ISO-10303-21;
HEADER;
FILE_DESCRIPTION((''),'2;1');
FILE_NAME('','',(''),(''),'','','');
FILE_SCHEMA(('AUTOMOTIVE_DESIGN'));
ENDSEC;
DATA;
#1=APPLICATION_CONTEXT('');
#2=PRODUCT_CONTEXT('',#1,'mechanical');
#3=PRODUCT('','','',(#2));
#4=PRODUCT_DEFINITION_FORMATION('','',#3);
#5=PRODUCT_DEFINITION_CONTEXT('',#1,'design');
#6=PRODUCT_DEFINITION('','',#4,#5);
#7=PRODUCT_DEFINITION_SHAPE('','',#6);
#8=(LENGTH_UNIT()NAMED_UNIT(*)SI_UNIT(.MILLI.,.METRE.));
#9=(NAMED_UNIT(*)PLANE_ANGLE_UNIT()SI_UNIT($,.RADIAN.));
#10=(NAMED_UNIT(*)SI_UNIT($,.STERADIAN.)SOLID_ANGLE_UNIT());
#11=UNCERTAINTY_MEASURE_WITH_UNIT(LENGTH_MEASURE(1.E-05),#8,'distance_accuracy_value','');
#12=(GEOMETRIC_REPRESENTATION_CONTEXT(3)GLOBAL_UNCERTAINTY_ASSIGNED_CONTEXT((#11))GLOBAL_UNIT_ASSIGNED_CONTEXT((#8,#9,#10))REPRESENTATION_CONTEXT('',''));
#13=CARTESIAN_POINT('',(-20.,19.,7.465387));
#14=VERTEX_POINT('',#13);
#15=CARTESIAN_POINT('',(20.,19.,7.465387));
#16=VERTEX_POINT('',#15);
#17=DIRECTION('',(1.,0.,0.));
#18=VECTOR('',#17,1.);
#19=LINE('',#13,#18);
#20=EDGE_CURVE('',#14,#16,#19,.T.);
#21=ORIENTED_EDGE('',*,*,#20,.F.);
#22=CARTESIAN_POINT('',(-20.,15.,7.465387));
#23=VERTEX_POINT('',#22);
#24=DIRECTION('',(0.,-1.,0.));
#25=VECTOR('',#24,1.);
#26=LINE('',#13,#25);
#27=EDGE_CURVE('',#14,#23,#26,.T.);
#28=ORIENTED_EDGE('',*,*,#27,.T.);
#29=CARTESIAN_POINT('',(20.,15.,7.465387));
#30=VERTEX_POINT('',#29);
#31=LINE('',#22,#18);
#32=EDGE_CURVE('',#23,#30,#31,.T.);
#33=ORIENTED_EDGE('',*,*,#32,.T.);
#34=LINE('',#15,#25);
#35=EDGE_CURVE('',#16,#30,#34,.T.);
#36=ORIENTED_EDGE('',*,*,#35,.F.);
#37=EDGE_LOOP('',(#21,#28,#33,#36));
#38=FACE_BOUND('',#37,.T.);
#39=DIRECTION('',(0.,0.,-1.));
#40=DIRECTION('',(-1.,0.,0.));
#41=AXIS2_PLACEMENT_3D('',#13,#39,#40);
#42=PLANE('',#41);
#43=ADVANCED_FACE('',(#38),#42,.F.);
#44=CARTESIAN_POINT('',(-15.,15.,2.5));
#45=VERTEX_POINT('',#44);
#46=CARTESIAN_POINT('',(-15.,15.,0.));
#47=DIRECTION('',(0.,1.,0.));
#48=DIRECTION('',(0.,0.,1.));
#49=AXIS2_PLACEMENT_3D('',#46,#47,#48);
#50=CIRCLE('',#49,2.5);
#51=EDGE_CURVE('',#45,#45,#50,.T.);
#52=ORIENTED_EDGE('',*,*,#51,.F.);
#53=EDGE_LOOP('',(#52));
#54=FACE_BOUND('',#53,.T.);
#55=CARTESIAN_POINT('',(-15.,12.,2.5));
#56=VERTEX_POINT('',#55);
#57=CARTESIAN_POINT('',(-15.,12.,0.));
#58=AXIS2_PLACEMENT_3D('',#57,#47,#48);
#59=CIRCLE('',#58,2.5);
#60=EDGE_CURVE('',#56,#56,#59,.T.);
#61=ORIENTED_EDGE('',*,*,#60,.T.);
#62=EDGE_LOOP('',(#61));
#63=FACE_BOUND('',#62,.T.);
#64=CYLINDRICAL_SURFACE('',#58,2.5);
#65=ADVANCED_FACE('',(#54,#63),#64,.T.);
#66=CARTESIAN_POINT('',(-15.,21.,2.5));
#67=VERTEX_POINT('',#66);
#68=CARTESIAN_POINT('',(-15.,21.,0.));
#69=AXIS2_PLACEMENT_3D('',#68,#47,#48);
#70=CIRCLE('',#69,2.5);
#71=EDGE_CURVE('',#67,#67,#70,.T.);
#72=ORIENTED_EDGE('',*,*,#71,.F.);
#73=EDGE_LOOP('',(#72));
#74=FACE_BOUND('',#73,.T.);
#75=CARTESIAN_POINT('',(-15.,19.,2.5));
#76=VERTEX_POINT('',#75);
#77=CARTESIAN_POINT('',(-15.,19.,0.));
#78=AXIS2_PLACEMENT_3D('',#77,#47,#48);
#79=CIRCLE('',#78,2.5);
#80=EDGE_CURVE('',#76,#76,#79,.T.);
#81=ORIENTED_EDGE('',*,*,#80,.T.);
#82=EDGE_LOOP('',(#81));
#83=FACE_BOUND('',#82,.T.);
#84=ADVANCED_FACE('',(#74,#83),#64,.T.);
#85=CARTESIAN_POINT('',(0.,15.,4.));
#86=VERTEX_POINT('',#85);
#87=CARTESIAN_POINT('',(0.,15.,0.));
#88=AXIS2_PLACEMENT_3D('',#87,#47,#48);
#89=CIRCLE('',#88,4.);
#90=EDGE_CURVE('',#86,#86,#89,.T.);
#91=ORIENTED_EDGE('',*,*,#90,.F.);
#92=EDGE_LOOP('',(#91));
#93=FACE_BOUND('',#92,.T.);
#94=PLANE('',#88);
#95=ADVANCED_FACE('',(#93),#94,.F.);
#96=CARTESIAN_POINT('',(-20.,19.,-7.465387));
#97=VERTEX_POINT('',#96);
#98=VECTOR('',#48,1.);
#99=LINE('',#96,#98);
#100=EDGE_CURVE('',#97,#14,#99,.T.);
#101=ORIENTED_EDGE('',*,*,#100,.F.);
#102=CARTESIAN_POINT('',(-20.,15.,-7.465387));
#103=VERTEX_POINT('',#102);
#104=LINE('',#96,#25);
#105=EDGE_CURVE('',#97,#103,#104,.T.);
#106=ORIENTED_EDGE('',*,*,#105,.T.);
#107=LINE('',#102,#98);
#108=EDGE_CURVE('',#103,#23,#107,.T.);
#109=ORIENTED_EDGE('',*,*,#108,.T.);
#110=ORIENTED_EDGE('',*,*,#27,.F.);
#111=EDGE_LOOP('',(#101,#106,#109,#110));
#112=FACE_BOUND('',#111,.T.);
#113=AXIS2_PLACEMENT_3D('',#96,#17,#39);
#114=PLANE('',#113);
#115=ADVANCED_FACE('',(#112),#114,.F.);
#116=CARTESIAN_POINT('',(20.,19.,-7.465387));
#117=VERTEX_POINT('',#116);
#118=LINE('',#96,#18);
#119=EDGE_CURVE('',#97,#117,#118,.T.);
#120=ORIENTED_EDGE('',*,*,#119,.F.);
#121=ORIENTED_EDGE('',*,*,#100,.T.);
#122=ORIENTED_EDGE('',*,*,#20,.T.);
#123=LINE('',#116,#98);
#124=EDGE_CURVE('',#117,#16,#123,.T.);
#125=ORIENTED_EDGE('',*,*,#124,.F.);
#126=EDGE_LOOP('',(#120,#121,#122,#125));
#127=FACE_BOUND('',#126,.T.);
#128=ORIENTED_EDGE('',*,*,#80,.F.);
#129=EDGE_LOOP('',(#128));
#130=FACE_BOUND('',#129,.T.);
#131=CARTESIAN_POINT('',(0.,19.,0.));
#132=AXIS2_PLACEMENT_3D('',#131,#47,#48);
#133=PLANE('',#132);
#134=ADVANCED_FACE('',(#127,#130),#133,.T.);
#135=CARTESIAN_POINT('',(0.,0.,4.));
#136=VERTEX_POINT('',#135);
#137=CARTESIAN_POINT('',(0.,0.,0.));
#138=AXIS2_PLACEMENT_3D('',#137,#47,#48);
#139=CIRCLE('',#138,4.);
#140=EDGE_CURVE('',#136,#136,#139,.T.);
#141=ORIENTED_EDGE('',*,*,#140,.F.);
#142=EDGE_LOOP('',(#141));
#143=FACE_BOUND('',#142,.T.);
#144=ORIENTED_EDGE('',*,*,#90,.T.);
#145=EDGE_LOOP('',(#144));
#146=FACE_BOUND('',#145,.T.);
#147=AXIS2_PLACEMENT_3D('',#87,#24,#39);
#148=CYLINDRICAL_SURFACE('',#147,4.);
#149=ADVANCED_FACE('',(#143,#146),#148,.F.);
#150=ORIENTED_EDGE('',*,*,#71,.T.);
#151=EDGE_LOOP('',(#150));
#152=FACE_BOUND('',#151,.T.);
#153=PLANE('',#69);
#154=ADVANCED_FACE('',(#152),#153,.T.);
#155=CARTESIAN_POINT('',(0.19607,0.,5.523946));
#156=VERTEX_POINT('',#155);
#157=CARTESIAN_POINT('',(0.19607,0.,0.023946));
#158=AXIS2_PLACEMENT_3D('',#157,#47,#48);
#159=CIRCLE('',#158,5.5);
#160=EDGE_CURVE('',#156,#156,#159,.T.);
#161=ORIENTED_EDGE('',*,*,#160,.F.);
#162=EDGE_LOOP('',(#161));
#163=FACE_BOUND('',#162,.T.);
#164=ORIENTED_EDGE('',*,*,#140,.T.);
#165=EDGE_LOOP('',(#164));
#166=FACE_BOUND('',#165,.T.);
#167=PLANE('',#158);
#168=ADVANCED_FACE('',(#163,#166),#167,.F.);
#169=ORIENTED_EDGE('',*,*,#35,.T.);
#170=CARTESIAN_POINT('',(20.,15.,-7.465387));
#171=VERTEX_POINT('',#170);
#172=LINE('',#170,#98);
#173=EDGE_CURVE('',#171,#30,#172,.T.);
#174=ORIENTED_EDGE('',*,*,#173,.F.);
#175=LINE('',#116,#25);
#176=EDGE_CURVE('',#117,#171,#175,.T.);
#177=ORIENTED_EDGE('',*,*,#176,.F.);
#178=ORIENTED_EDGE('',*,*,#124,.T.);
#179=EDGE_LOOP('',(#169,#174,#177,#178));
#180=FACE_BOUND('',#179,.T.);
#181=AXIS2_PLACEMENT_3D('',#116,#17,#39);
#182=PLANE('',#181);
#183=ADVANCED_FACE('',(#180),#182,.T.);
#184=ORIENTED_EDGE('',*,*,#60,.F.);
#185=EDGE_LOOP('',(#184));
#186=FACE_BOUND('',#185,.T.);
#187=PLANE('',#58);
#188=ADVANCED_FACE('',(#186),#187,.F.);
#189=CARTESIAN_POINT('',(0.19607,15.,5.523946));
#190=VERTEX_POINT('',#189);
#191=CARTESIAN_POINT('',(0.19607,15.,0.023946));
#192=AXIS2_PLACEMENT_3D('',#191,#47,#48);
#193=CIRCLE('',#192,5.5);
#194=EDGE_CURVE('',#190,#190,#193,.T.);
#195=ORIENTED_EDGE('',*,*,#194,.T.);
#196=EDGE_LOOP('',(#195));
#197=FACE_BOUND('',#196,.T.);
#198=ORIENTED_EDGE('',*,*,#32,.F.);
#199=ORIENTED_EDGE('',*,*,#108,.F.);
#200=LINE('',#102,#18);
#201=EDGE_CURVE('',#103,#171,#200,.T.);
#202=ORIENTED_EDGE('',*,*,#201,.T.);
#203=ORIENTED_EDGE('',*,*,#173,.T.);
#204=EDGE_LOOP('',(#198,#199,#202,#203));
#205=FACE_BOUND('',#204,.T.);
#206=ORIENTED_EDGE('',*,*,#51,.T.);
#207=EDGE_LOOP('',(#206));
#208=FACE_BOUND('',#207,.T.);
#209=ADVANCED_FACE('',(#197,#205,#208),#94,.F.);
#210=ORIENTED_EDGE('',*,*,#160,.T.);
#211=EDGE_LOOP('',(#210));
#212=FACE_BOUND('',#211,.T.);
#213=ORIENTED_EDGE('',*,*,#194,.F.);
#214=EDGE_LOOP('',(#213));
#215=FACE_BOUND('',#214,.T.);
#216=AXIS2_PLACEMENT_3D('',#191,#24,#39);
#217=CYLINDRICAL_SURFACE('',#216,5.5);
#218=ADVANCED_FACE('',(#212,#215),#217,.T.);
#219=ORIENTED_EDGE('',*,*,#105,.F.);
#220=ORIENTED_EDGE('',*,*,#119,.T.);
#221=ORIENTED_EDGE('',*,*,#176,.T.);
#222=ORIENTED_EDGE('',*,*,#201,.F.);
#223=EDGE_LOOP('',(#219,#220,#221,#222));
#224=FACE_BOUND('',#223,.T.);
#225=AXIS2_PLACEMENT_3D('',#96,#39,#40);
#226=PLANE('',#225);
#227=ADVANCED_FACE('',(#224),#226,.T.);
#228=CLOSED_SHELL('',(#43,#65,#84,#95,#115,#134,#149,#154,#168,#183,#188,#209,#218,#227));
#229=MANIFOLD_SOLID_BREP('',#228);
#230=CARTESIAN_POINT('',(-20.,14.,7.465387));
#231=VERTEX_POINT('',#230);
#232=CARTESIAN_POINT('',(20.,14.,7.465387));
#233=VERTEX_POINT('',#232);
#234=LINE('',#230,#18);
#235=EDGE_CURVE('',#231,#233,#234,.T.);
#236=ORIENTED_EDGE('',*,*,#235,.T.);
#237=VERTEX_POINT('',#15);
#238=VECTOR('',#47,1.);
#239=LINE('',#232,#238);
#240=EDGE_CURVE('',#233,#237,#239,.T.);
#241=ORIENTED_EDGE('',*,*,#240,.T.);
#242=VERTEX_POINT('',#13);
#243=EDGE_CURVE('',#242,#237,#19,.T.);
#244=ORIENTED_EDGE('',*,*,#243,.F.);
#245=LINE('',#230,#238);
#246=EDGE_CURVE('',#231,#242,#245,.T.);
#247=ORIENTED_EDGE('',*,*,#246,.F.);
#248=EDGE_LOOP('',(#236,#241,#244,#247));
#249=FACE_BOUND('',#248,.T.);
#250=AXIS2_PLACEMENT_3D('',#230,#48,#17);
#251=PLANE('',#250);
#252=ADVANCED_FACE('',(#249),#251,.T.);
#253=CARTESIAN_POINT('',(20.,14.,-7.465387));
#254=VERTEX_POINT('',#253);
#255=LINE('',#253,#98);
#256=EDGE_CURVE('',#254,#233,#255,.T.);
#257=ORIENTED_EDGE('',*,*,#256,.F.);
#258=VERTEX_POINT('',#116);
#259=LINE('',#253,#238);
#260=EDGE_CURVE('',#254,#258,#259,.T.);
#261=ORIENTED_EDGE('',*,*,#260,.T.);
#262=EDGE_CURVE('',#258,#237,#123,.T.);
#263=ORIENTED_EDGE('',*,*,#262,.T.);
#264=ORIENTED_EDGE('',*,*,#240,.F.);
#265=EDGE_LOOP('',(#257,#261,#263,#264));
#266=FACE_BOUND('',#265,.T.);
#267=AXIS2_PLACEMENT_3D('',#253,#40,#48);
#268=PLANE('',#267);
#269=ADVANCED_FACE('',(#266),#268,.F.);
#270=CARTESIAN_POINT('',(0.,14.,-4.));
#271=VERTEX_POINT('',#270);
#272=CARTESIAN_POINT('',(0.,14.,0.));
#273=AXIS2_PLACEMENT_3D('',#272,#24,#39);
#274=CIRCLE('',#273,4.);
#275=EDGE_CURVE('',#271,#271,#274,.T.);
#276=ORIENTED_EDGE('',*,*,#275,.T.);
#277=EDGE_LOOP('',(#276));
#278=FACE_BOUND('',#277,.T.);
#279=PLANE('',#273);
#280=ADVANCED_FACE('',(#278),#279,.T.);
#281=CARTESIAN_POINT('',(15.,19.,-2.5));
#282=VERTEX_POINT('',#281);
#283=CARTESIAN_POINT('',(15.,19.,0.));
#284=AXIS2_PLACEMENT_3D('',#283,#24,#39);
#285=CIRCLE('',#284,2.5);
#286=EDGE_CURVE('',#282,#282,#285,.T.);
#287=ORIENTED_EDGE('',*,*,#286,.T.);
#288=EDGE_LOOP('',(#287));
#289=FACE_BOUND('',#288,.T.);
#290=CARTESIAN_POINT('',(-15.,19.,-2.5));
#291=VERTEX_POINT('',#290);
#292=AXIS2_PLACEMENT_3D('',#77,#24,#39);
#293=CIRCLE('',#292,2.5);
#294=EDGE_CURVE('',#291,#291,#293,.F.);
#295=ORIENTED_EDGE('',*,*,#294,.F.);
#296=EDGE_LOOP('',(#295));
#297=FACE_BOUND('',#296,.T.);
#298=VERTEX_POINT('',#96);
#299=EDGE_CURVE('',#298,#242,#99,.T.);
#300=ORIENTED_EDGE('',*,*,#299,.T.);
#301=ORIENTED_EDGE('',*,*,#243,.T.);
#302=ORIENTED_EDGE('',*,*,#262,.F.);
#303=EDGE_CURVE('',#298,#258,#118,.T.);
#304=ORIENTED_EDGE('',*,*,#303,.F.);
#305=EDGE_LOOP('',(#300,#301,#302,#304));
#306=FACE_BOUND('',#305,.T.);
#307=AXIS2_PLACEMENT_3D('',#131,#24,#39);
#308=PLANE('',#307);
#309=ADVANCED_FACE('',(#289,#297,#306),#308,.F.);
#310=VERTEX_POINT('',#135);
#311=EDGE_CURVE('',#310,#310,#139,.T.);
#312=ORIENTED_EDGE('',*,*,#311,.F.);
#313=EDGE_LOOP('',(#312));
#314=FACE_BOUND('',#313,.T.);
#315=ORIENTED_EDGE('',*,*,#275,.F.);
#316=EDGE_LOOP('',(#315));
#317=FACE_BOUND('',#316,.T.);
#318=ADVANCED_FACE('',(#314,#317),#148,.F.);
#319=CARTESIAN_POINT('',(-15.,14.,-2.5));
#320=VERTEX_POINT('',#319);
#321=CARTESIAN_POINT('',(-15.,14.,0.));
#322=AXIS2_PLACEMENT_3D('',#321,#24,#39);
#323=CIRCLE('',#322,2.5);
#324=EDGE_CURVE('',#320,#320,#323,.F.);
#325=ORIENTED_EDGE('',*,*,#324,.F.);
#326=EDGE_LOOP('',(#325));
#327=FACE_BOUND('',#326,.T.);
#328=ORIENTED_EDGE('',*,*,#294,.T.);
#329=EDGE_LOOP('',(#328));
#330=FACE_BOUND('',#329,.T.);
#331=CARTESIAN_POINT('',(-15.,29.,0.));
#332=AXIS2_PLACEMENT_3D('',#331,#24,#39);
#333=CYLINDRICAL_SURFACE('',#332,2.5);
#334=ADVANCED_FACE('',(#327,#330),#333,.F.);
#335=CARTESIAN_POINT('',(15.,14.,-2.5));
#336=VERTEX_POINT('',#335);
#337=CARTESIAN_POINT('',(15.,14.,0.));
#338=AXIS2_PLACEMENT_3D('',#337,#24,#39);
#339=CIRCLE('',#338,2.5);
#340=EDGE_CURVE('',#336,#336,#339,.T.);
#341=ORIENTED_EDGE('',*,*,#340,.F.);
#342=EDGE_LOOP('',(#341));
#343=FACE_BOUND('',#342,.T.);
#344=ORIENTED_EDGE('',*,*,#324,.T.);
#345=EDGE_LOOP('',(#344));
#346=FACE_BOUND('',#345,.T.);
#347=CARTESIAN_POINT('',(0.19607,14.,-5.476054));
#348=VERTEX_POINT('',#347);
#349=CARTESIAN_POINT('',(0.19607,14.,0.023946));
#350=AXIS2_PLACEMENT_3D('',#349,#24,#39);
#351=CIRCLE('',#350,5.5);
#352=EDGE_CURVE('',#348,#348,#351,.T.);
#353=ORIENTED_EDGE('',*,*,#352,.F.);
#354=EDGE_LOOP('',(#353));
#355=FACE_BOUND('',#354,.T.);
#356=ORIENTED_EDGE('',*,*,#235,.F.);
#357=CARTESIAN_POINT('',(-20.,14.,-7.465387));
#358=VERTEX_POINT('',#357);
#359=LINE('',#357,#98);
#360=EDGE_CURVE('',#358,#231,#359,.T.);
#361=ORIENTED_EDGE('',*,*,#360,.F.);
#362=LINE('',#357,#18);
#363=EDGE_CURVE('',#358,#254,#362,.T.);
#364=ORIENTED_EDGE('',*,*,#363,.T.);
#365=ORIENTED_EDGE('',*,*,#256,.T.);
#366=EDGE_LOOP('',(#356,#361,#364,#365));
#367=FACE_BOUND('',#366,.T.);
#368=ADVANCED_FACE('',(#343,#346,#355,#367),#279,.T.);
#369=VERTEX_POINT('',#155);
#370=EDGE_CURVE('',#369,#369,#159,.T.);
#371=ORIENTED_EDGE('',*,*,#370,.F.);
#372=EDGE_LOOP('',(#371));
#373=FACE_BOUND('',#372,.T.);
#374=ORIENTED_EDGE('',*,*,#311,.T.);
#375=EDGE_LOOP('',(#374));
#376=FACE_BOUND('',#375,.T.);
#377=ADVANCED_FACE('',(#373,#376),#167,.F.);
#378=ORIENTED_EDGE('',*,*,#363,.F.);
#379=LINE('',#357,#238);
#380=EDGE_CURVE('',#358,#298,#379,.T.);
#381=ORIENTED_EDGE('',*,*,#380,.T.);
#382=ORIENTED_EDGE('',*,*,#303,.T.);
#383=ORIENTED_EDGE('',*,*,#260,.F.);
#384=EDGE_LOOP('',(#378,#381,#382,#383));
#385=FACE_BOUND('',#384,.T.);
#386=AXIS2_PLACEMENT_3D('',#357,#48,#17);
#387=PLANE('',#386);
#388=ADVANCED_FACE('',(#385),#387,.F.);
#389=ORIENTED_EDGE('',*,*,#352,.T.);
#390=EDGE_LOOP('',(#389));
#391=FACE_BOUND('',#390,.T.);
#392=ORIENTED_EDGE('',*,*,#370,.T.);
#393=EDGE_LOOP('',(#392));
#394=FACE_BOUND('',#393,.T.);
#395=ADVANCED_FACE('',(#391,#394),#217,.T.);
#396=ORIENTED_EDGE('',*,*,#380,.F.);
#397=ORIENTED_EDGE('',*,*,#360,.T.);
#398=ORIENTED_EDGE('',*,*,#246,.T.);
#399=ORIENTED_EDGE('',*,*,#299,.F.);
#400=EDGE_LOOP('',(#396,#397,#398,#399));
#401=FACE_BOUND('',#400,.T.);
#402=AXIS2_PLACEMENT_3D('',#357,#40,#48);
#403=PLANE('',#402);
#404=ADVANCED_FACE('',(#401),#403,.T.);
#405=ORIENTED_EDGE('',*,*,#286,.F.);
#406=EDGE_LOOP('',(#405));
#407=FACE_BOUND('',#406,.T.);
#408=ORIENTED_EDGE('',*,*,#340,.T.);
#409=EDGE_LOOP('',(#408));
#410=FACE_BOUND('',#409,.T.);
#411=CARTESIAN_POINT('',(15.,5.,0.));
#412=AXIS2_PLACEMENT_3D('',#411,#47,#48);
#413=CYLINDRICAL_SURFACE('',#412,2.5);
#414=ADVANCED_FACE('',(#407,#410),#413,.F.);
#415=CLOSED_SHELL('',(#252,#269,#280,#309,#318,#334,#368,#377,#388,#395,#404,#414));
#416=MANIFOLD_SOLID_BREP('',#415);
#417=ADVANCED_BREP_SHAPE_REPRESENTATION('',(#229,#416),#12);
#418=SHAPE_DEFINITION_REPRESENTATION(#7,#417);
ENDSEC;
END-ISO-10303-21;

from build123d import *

# Parameters (mm, degrees)
SKETCH1_R                = 5.5
SKETCH1_R_2              = 4
BOSS_EXTRUDE1_DEPTH      = 15
BOSS_EXTRUDE2_DEPTH      = 4
BOSS_EXTRUDE2_DEPTH_BACK = 1
SKETCH3_W                = 40
SKETCH3_H                = 14.930774712
CUT_EXTRUDE1_DEPTH       = 9
CUT_EXTRUDE1_DEPTH_BACK  = 10
SKETCH3_4_R              = 2.5
CUT_EXTRUDE6_DEPTH       = 14
CUT_EXTRUDE6_DEPTH_BACK  = 12
SKETCH3_6_R              = 2.5
SKETCH1_2_R              = 5.5
SKETCH1_2_R_2            = 4
BOSS_EXTRUDE3_DEPTH      = 15
SKETCH3_15_W             = 40
SKETCH3_15_H             = 14.930774712
BOSS_EXTRUDE4_DEPTH      = 4
BOSS_EXTRUDE6_DEPTH      = 6
BOSS_EXTRUDE6_DEPTH_BACK = 3
SKETCH3_18_R             = 2.5


with BuildPart() as part:
    # Sketch1 → Boss-Extrude1 (new body)
    with BuildSketch(Plane(origin=(0, 0, 0), x_dir=(1, 0, 0), z_dir=(0, 1, 0))):
        with Locations((0.196069677, -0.023946328)):
            Circle(SKETCH1_R)
        Circle(SKETCH1_R_2, mode=Mode.SUBTRACT)
    extrude(amount=BOSS_EXTRUDE1_DEPTH)

    # Sketch3 → Boss-Extrude2 (add, two sides: drawn at the far end of the back side and taken through both)
    with BuildSketch(Plane(origin=(0, 15, 0), x_dir=(1, 0, 0), z_dir=(0, 1, 0)).offset(-BOSS_EXTRUDE2_DEPTH_BACK)):
        Rectangle(SKETCH3_W, SKETCH3_H)
    extrude(amount=BOSS_EXTRUDE2_DEPTH + BOSS_EXTRUDE2_DEPTH_BACK)

    # Sketch3<4> → Cut-Extrude1 (cut, two sides: drawn at the far end of the back side and taken through both)
    with BuildSketch(Plane(origin=(0, 15, 0), x_dir=(1, 0, 0), z_dir=(0, 1, 0)).offset(-CUT_EXTRUDE1_DEPTH_BACK)):
        with Locations((15, 0)):
            Circle(SKETCH3_4_R)
    extrude(amount=CUT_EXTRUDE1_DEPTH + CUT_EXTRUDE1_DEPTH_BACK, mode=Mode.SUBTRACT)

    # Sketch3<6> → Cut-Extrude6 (cut, two sides: drawn at the far end of the back side and taken through both)
    with BuildSketch(Plane(origin=(0, 15, 0), x_dir=(1, 0, 0), z_dir=(0, 1, 0)).offset(-CUT_EXTRUDE6_DEPTH_BACK)):
        with Locations((-15, 0)):
            Circle(SKETCH3_6_R)
    extrude(amount=CUT_EXTRUDE6_DEPTH + CUT_EXTRUDE6_DEPTH_BACK, mode=Mode.SUBTRACT)


with BuildPart() as body_2:
    # Sketch1<2> → Boss-Extrude3 (new body)
    with BuildSketch(Plane(origin=(0, 0, 0), x_dir=(1, 0, 0), z_dir=(0, 1, 0))):
        with Locations((0.196069677, -0.023946328)):
            Circle(SKETCH1_2_R)
        Circle(SKETCH1_2_R_2, mode=Mode.SUBTRACT)
    extrude(amount=BOSS_EXTRUDE3_DEPTH)

    # Sketch3<15> → Boss-Extrude4 (add)
    with BuildSketch(Plane(origin=(0, 15, 0), x_dir=(1, 0, 0), z_dir=(0, 1, 0))):
        Rectangle(SKETCH3_15_W, SKETCH3_15_H)
    extrude(amount=BOSS_EXTRUDE4_DEPTH)

    # Sketch3<18> → Boss-Extrude6 (add, two sides: drawn at the far end of the back side and taken through both)
    with BuildSketch(Plane(origin=(0, 15, 0), x_dir=(1, 0, 0), z_dir=(0, 1, 0)).offset(-BOSS_EXTRUDE6_DEPTH_BACK)):
        with Locations((-15, 0)):
            Circle(SKETCH3_18_R)
    extrude(amount=BOSS_EXTRUDE6_DEPTH + BOSS_EXTRUDE6_DEPTH_BACK)


solid = Compound([part.part, body_2.part])
